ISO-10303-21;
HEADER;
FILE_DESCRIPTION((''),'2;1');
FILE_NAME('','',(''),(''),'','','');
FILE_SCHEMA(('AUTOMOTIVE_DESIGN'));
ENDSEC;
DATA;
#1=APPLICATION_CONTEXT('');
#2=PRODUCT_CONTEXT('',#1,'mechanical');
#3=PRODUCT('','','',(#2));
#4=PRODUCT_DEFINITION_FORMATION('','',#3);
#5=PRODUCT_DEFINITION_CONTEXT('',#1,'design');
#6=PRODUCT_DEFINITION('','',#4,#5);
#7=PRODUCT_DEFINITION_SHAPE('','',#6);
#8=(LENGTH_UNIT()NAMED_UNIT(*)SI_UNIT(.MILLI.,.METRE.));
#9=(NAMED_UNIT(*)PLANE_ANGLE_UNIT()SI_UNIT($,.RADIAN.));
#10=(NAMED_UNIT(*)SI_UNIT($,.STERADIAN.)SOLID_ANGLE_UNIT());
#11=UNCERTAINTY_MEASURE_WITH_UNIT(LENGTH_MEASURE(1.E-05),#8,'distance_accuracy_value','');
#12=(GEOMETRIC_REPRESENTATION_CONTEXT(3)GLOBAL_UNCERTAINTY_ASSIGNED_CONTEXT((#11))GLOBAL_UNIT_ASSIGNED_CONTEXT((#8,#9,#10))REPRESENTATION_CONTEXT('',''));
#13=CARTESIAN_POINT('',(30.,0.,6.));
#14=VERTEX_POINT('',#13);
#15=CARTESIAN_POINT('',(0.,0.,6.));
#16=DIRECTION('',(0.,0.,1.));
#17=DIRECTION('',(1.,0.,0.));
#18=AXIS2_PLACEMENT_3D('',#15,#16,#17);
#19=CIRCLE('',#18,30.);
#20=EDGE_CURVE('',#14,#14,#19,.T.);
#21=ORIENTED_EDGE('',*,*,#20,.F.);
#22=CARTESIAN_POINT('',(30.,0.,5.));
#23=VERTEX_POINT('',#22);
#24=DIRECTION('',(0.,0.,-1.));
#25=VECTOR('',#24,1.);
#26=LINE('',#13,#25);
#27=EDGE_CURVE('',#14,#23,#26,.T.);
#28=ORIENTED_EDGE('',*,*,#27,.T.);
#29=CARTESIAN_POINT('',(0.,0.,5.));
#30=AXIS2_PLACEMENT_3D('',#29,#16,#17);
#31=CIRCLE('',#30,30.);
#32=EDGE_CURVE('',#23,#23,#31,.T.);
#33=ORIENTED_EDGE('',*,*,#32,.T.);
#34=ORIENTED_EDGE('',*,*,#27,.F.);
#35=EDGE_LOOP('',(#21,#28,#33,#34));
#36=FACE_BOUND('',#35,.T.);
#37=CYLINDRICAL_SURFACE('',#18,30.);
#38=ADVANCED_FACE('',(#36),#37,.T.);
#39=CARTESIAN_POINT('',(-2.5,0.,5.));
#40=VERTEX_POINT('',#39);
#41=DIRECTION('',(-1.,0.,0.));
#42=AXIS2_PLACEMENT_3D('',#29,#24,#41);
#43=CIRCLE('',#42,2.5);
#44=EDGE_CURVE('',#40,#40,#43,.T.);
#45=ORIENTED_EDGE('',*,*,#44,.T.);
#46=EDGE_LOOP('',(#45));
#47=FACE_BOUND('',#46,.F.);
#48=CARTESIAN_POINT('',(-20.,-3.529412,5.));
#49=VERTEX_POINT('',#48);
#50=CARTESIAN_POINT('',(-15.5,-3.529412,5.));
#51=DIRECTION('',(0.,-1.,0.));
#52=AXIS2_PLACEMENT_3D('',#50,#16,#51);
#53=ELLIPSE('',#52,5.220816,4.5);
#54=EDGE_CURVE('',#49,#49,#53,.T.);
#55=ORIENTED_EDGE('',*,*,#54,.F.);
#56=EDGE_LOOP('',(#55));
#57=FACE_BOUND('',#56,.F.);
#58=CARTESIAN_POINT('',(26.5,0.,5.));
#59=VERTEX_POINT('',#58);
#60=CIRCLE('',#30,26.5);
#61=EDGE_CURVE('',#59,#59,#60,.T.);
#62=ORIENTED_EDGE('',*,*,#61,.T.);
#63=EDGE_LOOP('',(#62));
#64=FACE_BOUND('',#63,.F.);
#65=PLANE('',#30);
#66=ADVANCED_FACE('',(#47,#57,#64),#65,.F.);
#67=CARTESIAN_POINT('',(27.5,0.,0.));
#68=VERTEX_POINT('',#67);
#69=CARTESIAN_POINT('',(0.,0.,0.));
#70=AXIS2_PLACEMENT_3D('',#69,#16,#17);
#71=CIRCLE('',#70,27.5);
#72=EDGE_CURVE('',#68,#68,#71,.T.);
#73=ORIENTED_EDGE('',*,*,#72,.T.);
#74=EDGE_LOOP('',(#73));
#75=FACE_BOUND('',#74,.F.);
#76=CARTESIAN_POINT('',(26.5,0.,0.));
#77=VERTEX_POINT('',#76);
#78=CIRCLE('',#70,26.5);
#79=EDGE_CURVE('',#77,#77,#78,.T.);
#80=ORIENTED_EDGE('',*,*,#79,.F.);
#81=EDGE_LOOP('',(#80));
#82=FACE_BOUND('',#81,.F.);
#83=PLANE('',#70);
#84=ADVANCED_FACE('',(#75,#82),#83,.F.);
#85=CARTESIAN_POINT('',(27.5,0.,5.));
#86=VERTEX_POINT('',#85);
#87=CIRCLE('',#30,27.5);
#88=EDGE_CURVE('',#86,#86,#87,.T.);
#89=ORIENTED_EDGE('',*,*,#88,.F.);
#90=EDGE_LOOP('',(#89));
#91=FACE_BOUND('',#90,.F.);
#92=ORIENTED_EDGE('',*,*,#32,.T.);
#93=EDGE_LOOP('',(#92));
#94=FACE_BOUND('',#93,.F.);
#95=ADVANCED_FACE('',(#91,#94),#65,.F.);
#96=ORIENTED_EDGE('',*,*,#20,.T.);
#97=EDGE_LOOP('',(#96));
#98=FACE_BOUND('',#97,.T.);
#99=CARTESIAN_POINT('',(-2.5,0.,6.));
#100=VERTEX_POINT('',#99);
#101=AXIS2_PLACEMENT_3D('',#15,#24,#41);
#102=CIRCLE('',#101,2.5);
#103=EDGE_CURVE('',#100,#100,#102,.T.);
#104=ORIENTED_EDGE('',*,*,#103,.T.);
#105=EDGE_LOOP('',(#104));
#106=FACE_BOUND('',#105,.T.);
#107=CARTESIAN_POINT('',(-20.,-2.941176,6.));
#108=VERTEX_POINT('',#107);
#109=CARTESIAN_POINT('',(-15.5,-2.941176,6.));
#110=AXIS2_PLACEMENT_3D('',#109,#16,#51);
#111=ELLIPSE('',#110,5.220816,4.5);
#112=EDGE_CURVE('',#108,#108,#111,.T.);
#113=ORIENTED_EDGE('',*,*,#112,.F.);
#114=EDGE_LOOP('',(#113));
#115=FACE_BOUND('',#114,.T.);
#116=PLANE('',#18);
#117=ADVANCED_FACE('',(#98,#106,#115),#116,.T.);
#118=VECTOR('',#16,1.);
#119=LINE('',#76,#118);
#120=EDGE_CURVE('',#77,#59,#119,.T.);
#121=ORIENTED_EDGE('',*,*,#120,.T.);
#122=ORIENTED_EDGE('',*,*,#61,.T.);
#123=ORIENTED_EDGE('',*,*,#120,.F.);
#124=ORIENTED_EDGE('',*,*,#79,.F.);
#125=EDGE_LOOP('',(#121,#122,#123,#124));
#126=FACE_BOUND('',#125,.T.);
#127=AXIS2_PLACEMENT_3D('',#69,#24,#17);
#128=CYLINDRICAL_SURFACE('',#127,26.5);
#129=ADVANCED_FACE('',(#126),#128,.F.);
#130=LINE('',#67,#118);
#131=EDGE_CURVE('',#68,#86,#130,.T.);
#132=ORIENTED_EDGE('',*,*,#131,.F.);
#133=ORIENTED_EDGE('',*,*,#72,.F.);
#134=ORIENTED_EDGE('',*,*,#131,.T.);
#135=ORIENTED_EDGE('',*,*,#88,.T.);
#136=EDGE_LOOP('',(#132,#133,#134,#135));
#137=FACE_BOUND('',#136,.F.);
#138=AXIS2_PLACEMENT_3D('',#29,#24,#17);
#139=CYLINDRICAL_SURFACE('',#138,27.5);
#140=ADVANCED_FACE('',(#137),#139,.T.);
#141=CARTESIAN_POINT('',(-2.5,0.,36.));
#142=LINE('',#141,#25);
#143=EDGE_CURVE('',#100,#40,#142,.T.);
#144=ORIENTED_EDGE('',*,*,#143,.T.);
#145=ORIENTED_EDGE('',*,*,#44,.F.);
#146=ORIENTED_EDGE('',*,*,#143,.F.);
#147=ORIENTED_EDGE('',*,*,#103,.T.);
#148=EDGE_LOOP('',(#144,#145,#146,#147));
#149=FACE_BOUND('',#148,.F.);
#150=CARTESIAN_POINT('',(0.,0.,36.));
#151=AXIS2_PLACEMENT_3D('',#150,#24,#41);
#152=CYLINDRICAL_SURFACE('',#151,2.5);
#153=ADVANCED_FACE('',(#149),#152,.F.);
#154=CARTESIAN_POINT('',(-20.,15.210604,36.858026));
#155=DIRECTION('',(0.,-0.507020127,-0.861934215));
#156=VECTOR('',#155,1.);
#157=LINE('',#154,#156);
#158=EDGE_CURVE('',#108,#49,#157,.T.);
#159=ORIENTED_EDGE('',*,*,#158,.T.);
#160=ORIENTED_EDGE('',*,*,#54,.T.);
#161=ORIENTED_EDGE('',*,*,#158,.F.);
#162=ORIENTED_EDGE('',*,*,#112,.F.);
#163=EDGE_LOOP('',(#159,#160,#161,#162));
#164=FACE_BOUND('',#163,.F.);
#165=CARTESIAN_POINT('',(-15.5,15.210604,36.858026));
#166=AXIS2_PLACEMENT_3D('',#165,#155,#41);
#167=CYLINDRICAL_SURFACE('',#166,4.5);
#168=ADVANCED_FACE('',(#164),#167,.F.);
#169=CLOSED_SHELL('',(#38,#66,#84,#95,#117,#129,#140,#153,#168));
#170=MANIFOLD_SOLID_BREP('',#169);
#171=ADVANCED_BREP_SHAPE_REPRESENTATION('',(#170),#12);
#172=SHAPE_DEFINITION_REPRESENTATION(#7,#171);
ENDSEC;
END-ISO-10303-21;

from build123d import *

# Parameters (mm, degrees)
F0_R      = 27.5
F0_R_2    = 26.5
F1_DEPTH  = 5
F2_R      = 27.5
F3_DEPTH  = 1
F5_DEPTH  = 25
F6_DEPTH  = 6
F8_D      = 9
F8_DEPTH  = 30
F8_TIP    = 2.7038727856
F9_DEPTH  = 25
F11_D     = 5
F11_DEPTH = 30
F11_TIP   = 1.5021515476
F12_R     = 30
F12_R_2   = 27.5
F13_DEPTH = 1


with BuildPart() as f1:
    # F0 (on Top) → F1 (new body)
    with BuildSketch(Plane.XY):
        Circle(F0_R)
        Circle(F0_R_2, mode=Mode.SUBTRACT)
    extrude(amount=F1_DEPTH)

    # F2 (on face) → F3 (join)
    with BuildSketch(Plane.XY.offset(5)):
        Circle(F2_R)
    extrude(amount=F3_DEPTH)

    # F4 (on Right) → F5 (join)
    with BuildSketch(Plane.YZ):
        Polygon((-8.5, 6), (0, 6), (8.5, 6), (-8.5, 16), align=None)
    extrude(amount=-F5_DEPTH)

    # F6 (cut): a face of the model
    f6_faces = [f1.faces().sort_by_distance(p)[0] for p in [
        (0, -2.8333333333, 9.3333333333),
    ]]
    extrude(f6_faces, amount=-F6_DEPTH, mode=Mode.SUBTRACT)

    # F8
    with Locations(Plane(origin=(0, 4.8071979434, 8.1722365039), x_dir=(1, 0, 0), z_dir=(0, 0.5070201266, 0.8619342152))):
        with Locations((-15.5, -5.5772213922)):
            Hole(F8_D / 2, depth=F8_DEPTH)
            with Locations((0, 0, -(F8_DEPTH + F8_TIP / 2))):  # 118° drill point
                Cone(0, F8_D / 2, F8_TIP, mode=Mode.SUBTRACT)

    # F9 (cut): a face of the model
    f9_faces = [f1.faces().sort_by_distance(p)[0] for p in [
        (-25, -2.8333333333, 9.3333333333),
    ]]
    extrude(f9_faces, amount=-F9_DEPTH, mode=Mode.SUBTRACT)

    # F11
    with Locations(Plane.XY.offset(6)):
        with Locations((0, 0)):
            Hole(F11_D / 2, depth=F11_DEPTH)
            with Locations((0, 0, -(F11_DEPTH + F11_TIP / 2))):  # 118° drill point
                Cone(0, F11_D / 2, F11_TIP, mode=Mode.SUBTRACT)

    # F12 (on face) → F13 (join)
    with BuildSketch(Plane.XY.offset(6)):
        Circle(F12_R)
        Circle(F12_R_2, mode=Mode.SUBTRACT)
    extrude(amount=-F13_DEPTH)


solid = f1.part
